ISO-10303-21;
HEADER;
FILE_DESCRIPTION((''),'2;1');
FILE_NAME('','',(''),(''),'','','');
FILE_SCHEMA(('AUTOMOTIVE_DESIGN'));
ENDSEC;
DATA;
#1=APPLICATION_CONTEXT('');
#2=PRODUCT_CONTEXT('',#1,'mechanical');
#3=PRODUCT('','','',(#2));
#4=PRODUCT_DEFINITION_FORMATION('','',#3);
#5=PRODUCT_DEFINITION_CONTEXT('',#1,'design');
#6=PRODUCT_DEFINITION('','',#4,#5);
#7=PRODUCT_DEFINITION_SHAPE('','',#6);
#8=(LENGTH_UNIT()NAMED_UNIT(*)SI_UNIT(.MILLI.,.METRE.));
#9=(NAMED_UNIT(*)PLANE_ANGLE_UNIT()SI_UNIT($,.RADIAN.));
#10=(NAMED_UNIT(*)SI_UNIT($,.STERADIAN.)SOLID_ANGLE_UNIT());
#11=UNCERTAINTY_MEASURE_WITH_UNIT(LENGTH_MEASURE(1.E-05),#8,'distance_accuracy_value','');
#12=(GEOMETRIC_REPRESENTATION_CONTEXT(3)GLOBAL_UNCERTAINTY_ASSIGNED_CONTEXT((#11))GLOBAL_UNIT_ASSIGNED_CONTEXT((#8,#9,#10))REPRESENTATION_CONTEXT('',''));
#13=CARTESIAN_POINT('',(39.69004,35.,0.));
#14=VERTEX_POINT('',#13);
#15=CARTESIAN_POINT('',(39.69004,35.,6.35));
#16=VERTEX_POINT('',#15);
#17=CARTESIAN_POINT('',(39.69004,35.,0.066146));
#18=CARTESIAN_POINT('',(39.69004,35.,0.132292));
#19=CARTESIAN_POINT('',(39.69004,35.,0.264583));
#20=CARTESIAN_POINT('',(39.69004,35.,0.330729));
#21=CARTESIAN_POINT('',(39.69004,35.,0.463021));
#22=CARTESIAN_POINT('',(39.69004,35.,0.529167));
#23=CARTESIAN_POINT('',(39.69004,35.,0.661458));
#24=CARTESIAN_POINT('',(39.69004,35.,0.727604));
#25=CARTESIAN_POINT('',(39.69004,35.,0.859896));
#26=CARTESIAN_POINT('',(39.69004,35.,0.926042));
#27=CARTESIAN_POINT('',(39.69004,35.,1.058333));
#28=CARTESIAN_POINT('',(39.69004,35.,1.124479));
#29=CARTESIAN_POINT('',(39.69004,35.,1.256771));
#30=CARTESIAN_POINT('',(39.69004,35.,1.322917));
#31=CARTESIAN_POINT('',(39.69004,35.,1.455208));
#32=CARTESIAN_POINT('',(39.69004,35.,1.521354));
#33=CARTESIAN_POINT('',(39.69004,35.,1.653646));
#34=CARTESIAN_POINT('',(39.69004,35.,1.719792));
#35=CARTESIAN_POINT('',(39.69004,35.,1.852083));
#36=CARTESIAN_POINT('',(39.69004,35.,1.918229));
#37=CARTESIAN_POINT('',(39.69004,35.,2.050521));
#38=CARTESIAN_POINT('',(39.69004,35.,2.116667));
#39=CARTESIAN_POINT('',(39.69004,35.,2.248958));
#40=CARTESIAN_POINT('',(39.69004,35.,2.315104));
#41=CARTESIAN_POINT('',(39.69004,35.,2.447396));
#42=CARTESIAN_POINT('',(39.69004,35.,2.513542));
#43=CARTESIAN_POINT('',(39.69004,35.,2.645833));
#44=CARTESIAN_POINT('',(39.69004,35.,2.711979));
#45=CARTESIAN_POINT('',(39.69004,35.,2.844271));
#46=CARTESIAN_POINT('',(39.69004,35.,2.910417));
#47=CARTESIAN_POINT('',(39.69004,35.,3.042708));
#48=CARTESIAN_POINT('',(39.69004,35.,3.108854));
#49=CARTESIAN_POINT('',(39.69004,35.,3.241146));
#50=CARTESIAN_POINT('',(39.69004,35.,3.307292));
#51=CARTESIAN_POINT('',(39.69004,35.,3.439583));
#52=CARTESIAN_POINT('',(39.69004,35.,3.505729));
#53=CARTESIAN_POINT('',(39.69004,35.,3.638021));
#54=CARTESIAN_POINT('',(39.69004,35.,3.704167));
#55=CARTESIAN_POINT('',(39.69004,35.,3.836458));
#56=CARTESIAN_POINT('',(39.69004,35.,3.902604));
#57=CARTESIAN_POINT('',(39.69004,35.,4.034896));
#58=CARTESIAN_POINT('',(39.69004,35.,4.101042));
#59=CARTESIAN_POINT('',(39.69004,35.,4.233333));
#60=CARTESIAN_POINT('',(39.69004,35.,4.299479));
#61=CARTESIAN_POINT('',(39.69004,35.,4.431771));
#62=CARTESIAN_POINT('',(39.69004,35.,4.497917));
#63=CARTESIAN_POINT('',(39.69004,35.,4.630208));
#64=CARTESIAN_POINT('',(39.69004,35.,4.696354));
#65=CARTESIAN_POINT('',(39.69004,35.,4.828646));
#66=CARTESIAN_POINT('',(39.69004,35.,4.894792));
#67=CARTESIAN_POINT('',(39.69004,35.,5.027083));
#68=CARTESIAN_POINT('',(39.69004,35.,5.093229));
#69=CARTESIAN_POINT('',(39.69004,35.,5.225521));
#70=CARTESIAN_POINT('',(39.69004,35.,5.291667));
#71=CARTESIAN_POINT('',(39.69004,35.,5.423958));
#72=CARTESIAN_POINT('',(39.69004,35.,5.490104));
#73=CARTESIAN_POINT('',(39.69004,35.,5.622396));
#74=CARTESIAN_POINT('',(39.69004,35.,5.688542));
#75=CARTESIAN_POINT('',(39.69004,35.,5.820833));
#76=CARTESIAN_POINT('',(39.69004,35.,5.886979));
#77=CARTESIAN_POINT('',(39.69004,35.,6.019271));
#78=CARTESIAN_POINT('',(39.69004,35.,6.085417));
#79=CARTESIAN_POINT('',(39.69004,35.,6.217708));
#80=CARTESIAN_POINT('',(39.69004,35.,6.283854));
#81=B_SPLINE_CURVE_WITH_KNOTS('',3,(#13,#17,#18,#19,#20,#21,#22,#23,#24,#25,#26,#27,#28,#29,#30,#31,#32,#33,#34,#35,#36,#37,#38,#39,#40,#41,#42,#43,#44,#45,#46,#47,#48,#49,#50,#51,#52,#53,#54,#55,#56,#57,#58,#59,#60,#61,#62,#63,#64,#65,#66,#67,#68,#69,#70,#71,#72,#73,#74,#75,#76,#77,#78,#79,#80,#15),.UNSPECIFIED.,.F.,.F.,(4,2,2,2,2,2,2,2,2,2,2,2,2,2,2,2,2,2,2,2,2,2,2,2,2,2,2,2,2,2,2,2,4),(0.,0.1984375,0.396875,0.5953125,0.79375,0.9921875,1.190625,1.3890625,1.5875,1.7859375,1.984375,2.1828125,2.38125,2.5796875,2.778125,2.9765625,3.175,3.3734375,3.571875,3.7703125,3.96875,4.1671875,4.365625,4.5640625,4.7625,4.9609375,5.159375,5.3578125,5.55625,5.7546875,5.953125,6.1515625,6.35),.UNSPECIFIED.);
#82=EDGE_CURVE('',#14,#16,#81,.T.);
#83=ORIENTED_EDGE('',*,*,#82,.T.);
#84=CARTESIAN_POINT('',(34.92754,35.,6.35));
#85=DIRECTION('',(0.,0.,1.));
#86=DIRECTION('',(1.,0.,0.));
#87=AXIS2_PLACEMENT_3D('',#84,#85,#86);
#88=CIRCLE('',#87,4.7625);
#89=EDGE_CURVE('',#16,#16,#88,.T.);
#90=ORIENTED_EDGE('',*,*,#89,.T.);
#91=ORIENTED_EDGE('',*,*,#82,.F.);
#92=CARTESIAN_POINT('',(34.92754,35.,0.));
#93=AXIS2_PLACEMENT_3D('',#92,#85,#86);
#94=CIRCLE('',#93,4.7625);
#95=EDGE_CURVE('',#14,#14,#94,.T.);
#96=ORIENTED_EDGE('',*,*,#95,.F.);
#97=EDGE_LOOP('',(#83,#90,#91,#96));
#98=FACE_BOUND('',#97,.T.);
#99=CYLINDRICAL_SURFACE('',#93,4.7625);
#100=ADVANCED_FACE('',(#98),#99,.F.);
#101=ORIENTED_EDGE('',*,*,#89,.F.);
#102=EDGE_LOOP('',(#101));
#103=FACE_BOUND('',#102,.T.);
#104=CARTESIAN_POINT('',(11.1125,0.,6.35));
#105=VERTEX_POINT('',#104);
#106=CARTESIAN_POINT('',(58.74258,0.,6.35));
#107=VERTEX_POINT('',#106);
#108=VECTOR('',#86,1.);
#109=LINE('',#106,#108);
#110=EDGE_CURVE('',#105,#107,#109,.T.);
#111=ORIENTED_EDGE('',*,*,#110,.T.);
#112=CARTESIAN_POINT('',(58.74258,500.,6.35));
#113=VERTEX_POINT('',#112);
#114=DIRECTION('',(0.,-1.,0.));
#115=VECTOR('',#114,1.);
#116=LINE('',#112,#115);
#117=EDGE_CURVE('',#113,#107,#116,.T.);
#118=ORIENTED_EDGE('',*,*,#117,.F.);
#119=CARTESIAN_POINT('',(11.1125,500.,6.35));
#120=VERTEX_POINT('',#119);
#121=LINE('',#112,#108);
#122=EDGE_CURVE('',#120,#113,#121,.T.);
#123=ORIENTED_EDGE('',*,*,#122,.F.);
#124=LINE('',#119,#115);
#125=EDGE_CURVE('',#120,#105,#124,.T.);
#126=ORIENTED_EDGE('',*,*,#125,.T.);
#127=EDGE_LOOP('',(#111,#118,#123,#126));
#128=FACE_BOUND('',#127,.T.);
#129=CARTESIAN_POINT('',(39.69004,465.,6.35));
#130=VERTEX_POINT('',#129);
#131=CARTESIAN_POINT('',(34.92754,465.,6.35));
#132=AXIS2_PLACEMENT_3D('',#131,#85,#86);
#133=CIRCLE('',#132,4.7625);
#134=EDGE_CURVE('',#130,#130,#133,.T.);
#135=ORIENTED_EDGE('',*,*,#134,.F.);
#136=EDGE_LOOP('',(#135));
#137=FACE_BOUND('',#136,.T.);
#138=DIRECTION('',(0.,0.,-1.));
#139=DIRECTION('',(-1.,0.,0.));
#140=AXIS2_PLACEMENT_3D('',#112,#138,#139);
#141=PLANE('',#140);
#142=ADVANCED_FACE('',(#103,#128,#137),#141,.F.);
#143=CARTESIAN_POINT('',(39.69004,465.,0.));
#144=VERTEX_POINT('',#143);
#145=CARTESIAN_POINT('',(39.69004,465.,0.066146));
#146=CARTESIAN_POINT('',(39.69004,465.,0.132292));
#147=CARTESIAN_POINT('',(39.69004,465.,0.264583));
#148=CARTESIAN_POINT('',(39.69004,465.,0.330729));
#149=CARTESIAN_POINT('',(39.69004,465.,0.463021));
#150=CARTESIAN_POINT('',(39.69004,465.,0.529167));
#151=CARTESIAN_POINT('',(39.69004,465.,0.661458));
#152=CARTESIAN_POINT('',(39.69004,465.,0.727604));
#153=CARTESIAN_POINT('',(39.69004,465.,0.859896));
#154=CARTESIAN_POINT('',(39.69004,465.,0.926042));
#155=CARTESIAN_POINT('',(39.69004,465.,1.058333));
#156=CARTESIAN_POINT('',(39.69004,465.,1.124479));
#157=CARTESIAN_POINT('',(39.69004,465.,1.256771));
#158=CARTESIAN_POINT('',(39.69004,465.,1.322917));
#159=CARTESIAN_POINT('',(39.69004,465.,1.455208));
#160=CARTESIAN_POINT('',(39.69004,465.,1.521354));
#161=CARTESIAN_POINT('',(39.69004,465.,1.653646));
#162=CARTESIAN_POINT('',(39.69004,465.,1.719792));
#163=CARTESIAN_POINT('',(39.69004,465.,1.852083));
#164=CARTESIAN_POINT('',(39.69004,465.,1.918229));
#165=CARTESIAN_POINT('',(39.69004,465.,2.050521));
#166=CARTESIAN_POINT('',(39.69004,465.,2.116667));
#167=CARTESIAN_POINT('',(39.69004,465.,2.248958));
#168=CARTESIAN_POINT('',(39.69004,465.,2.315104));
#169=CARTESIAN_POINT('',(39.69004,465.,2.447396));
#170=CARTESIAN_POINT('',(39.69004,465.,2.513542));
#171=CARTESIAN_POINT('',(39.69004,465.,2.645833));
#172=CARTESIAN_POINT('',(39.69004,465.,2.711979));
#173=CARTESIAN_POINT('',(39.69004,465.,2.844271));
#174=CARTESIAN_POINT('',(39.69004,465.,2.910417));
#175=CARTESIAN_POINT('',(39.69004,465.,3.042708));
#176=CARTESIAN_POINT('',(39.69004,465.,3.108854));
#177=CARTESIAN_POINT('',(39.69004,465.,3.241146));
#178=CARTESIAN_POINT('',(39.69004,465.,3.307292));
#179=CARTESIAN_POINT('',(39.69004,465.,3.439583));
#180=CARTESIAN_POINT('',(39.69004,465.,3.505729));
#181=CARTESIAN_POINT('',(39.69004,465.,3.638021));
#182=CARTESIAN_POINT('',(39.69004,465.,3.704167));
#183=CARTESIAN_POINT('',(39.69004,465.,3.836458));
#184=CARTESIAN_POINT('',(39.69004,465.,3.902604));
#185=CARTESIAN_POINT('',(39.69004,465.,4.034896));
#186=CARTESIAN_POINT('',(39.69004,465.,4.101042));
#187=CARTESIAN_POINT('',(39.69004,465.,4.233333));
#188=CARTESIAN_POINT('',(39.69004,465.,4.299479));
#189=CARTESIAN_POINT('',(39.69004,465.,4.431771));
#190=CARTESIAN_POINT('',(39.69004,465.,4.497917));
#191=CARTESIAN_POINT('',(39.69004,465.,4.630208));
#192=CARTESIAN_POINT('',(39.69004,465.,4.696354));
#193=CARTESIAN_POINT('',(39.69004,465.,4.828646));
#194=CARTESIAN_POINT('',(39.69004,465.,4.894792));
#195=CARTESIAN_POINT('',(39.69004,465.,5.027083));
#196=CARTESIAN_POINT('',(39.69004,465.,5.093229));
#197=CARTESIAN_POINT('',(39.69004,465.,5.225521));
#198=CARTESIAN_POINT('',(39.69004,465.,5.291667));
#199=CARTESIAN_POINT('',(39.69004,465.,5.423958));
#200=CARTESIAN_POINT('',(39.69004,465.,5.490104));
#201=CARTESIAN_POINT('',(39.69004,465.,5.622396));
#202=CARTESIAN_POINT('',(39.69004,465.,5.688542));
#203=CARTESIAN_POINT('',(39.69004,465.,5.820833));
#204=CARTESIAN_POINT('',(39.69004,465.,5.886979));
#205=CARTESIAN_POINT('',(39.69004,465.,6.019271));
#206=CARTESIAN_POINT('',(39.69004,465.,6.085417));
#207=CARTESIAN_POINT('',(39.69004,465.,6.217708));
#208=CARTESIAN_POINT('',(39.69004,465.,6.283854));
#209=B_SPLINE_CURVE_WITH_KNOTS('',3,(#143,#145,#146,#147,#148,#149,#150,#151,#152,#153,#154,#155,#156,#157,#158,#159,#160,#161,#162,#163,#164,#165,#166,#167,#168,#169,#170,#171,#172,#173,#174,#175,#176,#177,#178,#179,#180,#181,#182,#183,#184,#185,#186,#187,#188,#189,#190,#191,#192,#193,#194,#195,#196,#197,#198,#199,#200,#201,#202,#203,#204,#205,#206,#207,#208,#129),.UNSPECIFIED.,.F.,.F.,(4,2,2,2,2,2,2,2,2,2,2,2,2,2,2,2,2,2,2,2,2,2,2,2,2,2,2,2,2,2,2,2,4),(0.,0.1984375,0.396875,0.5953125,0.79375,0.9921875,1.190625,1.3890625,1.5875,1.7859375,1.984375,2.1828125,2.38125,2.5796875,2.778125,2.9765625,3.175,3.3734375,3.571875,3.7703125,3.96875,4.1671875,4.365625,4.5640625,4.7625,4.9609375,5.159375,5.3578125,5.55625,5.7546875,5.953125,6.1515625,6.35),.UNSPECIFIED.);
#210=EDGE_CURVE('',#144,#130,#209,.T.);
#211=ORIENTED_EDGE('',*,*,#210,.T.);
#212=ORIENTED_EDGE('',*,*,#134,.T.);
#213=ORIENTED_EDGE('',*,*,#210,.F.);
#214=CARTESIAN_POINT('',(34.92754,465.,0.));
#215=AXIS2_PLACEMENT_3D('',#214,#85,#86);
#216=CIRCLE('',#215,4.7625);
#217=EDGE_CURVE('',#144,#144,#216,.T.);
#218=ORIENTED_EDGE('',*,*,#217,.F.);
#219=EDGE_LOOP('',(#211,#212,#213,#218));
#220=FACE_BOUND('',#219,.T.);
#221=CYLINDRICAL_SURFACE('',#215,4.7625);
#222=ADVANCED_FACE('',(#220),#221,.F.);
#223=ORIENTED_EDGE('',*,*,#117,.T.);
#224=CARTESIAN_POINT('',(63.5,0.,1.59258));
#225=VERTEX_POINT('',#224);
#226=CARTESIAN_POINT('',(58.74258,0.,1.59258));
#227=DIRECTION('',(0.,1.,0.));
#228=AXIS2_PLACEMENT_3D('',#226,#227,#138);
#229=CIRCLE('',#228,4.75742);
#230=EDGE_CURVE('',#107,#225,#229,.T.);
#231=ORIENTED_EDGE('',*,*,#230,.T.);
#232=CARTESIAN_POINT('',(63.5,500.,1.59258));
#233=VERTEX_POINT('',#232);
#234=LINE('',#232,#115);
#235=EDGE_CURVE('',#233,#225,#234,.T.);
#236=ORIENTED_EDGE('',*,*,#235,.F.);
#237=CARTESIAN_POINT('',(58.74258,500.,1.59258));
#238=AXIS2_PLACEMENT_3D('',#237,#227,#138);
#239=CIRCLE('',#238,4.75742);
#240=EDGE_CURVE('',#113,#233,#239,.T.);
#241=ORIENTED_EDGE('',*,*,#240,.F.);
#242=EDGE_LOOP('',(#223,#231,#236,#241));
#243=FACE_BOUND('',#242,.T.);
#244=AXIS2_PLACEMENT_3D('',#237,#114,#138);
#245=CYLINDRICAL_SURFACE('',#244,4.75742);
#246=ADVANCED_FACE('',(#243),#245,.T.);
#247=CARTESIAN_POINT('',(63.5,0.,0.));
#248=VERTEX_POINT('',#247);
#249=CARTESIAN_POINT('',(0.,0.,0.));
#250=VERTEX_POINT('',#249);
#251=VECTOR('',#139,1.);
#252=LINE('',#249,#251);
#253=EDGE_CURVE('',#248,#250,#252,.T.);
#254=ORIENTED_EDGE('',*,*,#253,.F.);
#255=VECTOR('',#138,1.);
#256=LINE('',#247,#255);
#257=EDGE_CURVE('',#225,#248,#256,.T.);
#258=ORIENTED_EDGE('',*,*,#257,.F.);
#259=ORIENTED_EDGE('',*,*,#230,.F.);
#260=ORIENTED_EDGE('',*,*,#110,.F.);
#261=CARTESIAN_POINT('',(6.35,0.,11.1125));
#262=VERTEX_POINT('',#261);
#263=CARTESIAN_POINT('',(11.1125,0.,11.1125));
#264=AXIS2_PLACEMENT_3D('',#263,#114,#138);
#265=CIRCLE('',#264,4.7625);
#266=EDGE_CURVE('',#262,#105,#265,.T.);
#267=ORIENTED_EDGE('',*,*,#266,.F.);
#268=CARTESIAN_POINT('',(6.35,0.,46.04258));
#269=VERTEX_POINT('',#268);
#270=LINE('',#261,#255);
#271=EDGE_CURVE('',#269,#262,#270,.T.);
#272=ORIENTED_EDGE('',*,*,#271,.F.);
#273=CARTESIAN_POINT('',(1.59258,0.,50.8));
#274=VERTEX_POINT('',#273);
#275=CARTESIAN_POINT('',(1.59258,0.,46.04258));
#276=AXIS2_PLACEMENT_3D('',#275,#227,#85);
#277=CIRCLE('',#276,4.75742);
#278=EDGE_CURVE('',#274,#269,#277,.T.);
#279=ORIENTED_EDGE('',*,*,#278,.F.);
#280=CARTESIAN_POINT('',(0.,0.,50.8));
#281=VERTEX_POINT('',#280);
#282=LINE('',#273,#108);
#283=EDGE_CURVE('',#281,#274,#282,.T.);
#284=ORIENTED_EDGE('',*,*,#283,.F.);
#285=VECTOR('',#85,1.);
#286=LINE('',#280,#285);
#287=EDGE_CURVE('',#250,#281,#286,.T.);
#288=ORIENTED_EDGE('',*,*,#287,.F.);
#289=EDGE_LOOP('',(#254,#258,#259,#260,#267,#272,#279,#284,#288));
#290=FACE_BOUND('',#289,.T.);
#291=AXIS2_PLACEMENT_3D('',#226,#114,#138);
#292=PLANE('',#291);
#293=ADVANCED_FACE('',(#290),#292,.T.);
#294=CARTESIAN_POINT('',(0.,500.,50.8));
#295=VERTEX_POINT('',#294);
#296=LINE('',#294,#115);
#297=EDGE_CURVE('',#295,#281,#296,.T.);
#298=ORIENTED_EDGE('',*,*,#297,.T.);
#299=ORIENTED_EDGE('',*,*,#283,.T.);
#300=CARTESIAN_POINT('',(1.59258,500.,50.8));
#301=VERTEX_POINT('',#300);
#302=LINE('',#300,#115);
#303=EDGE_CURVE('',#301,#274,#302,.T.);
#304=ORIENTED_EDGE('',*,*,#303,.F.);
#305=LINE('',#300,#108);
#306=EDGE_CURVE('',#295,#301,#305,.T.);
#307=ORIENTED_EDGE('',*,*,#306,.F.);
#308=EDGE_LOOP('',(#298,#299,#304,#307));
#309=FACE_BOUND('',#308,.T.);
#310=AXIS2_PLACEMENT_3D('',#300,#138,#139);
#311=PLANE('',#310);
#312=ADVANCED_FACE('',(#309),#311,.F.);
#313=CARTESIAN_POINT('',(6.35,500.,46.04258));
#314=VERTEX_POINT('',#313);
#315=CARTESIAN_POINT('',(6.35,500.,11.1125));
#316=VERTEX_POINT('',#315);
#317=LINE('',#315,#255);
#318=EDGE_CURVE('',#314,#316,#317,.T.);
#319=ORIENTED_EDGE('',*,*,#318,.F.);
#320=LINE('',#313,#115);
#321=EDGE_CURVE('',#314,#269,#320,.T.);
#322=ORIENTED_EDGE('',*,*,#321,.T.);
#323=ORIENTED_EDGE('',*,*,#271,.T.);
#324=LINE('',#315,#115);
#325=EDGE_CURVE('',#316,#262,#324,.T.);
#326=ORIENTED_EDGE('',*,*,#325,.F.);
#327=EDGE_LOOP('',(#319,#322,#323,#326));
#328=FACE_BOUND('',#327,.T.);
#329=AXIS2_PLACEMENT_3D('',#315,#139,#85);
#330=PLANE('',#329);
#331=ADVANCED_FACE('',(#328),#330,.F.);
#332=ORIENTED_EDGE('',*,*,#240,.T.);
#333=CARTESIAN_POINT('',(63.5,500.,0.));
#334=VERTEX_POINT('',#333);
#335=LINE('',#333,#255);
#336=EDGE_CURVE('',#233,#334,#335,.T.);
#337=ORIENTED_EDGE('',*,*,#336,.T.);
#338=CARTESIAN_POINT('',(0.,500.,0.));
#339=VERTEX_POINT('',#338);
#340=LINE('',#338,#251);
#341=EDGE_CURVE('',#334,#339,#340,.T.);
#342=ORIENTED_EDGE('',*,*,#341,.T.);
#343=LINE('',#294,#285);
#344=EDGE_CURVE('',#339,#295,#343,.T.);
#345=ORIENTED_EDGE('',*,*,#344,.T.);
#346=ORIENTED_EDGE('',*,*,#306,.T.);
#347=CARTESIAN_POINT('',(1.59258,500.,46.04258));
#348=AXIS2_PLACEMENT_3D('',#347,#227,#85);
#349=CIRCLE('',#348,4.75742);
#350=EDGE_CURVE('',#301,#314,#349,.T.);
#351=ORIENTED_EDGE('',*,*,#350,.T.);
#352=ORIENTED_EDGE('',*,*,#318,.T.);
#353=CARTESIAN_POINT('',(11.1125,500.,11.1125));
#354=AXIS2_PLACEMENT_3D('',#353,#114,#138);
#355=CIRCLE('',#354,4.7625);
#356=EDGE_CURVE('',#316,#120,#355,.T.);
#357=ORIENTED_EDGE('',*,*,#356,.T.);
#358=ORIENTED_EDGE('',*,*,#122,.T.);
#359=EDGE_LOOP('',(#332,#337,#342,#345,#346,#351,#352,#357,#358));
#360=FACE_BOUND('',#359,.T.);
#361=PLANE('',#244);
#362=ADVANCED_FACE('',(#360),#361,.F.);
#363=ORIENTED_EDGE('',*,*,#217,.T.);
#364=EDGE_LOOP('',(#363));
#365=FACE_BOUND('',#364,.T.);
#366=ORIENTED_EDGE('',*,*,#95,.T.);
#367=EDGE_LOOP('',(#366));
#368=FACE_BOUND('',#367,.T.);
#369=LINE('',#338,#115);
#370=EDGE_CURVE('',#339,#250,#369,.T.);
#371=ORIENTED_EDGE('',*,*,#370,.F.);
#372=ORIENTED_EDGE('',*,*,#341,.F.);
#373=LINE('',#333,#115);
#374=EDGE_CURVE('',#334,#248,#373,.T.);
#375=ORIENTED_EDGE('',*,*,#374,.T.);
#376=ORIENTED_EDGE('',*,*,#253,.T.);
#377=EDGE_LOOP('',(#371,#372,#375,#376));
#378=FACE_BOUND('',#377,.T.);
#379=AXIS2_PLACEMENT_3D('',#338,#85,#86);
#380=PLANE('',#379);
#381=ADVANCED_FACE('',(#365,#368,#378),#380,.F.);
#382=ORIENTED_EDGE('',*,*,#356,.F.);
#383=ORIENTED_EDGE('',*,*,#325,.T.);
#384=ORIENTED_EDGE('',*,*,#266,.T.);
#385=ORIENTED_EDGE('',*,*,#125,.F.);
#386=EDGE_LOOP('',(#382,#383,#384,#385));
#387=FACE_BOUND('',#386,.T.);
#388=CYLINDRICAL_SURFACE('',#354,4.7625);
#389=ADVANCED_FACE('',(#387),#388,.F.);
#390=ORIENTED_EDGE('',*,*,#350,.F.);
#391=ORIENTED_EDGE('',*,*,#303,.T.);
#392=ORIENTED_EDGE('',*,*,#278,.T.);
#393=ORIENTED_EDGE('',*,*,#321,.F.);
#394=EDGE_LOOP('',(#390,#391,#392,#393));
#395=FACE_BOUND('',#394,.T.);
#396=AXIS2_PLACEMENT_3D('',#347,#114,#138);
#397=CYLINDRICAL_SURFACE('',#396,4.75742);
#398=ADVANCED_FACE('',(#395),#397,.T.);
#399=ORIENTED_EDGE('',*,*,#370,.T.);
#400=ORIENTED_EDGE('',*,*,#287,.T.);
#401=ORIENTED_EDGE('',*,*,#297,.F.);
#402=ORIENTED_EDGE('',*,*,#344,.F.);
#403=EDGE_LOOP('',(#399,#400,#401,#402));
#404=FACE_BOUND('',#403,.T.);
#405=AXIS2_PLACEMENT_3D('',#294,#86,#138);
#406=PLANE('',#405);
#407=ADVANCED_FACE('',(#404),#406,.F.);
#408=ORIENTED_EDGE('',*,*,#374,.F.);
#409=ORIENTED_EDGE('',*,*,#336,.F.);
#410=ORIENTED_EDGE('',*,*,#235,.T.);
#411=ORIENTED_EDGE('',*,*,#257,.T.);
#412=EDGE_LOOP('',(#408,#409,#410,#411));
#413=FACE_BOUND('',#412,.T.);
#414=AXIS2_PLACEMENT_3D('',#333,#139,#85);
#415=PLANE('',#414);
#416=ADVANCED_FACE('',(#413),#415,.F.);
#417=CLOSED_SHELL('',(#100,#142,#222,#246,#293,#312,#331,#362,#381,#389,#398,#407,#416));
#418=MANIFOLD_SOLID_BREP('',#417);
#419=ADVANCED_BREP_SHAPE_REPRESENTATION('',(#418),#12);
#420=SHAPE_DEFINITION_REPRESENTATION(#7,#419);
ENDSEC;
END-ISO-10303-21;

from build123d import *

# Parameters (mm, degrees)
NGULO_L_L2_5X2X0_25_1_DEPTH = 500
CROQUIS3_R                  = 4.7625
CORTAR_EXTRUIR1_DEPTH       = 6.35


with BuildPart() as part:
    # Sketch1 → Ángulo l L2.5X2X0.25(1) (new body)
    with BuildSketch(Plane.ZX):
        with BuildLine():
            Line((0, 0), (0, 63.5))
            Line((0, 63.5), (1.59258, 63.5))
            ThreePointArc((1.59258, 63.5), (4.956583943, 62.106583943), (6.35, 58.74258))
            Line((6.35, 58.74258), (6.35, 11.1125))
            ThreePointArc((6.35, 11.1125), (7.744903955, 7.744903955), (11.1125, 6.35))
            Line((11.1125, 6.35), (46.04258, 6.35))
            ThreePointArc((46.04258, 6.35), (49.406583943, 4.956583943), (50.8, 1.59258))
            Line((50.8, 1.59258), (50.8, 0))
            Line((50.8, 0), (0, 0))
        make_face()
    extrude(amount=NGULO_L_L2_5X2X0_25_1_DEPTH)

    # Croquis3 → Cortar-Extruir1 (cut)
    with BuildSketch(Plane.XY.offset(6.35)):
        with Locations((34.92754, 465)):
            Circle(CROQUIS3_R)
        with Locations((34.92754, 35)):
            Circle(CROQUIS3_R)
    extrude(amount=-CORTAR_EXTRUIR1_DEPTH, mode=Mode.SUBTRACT)


solid = part.part
